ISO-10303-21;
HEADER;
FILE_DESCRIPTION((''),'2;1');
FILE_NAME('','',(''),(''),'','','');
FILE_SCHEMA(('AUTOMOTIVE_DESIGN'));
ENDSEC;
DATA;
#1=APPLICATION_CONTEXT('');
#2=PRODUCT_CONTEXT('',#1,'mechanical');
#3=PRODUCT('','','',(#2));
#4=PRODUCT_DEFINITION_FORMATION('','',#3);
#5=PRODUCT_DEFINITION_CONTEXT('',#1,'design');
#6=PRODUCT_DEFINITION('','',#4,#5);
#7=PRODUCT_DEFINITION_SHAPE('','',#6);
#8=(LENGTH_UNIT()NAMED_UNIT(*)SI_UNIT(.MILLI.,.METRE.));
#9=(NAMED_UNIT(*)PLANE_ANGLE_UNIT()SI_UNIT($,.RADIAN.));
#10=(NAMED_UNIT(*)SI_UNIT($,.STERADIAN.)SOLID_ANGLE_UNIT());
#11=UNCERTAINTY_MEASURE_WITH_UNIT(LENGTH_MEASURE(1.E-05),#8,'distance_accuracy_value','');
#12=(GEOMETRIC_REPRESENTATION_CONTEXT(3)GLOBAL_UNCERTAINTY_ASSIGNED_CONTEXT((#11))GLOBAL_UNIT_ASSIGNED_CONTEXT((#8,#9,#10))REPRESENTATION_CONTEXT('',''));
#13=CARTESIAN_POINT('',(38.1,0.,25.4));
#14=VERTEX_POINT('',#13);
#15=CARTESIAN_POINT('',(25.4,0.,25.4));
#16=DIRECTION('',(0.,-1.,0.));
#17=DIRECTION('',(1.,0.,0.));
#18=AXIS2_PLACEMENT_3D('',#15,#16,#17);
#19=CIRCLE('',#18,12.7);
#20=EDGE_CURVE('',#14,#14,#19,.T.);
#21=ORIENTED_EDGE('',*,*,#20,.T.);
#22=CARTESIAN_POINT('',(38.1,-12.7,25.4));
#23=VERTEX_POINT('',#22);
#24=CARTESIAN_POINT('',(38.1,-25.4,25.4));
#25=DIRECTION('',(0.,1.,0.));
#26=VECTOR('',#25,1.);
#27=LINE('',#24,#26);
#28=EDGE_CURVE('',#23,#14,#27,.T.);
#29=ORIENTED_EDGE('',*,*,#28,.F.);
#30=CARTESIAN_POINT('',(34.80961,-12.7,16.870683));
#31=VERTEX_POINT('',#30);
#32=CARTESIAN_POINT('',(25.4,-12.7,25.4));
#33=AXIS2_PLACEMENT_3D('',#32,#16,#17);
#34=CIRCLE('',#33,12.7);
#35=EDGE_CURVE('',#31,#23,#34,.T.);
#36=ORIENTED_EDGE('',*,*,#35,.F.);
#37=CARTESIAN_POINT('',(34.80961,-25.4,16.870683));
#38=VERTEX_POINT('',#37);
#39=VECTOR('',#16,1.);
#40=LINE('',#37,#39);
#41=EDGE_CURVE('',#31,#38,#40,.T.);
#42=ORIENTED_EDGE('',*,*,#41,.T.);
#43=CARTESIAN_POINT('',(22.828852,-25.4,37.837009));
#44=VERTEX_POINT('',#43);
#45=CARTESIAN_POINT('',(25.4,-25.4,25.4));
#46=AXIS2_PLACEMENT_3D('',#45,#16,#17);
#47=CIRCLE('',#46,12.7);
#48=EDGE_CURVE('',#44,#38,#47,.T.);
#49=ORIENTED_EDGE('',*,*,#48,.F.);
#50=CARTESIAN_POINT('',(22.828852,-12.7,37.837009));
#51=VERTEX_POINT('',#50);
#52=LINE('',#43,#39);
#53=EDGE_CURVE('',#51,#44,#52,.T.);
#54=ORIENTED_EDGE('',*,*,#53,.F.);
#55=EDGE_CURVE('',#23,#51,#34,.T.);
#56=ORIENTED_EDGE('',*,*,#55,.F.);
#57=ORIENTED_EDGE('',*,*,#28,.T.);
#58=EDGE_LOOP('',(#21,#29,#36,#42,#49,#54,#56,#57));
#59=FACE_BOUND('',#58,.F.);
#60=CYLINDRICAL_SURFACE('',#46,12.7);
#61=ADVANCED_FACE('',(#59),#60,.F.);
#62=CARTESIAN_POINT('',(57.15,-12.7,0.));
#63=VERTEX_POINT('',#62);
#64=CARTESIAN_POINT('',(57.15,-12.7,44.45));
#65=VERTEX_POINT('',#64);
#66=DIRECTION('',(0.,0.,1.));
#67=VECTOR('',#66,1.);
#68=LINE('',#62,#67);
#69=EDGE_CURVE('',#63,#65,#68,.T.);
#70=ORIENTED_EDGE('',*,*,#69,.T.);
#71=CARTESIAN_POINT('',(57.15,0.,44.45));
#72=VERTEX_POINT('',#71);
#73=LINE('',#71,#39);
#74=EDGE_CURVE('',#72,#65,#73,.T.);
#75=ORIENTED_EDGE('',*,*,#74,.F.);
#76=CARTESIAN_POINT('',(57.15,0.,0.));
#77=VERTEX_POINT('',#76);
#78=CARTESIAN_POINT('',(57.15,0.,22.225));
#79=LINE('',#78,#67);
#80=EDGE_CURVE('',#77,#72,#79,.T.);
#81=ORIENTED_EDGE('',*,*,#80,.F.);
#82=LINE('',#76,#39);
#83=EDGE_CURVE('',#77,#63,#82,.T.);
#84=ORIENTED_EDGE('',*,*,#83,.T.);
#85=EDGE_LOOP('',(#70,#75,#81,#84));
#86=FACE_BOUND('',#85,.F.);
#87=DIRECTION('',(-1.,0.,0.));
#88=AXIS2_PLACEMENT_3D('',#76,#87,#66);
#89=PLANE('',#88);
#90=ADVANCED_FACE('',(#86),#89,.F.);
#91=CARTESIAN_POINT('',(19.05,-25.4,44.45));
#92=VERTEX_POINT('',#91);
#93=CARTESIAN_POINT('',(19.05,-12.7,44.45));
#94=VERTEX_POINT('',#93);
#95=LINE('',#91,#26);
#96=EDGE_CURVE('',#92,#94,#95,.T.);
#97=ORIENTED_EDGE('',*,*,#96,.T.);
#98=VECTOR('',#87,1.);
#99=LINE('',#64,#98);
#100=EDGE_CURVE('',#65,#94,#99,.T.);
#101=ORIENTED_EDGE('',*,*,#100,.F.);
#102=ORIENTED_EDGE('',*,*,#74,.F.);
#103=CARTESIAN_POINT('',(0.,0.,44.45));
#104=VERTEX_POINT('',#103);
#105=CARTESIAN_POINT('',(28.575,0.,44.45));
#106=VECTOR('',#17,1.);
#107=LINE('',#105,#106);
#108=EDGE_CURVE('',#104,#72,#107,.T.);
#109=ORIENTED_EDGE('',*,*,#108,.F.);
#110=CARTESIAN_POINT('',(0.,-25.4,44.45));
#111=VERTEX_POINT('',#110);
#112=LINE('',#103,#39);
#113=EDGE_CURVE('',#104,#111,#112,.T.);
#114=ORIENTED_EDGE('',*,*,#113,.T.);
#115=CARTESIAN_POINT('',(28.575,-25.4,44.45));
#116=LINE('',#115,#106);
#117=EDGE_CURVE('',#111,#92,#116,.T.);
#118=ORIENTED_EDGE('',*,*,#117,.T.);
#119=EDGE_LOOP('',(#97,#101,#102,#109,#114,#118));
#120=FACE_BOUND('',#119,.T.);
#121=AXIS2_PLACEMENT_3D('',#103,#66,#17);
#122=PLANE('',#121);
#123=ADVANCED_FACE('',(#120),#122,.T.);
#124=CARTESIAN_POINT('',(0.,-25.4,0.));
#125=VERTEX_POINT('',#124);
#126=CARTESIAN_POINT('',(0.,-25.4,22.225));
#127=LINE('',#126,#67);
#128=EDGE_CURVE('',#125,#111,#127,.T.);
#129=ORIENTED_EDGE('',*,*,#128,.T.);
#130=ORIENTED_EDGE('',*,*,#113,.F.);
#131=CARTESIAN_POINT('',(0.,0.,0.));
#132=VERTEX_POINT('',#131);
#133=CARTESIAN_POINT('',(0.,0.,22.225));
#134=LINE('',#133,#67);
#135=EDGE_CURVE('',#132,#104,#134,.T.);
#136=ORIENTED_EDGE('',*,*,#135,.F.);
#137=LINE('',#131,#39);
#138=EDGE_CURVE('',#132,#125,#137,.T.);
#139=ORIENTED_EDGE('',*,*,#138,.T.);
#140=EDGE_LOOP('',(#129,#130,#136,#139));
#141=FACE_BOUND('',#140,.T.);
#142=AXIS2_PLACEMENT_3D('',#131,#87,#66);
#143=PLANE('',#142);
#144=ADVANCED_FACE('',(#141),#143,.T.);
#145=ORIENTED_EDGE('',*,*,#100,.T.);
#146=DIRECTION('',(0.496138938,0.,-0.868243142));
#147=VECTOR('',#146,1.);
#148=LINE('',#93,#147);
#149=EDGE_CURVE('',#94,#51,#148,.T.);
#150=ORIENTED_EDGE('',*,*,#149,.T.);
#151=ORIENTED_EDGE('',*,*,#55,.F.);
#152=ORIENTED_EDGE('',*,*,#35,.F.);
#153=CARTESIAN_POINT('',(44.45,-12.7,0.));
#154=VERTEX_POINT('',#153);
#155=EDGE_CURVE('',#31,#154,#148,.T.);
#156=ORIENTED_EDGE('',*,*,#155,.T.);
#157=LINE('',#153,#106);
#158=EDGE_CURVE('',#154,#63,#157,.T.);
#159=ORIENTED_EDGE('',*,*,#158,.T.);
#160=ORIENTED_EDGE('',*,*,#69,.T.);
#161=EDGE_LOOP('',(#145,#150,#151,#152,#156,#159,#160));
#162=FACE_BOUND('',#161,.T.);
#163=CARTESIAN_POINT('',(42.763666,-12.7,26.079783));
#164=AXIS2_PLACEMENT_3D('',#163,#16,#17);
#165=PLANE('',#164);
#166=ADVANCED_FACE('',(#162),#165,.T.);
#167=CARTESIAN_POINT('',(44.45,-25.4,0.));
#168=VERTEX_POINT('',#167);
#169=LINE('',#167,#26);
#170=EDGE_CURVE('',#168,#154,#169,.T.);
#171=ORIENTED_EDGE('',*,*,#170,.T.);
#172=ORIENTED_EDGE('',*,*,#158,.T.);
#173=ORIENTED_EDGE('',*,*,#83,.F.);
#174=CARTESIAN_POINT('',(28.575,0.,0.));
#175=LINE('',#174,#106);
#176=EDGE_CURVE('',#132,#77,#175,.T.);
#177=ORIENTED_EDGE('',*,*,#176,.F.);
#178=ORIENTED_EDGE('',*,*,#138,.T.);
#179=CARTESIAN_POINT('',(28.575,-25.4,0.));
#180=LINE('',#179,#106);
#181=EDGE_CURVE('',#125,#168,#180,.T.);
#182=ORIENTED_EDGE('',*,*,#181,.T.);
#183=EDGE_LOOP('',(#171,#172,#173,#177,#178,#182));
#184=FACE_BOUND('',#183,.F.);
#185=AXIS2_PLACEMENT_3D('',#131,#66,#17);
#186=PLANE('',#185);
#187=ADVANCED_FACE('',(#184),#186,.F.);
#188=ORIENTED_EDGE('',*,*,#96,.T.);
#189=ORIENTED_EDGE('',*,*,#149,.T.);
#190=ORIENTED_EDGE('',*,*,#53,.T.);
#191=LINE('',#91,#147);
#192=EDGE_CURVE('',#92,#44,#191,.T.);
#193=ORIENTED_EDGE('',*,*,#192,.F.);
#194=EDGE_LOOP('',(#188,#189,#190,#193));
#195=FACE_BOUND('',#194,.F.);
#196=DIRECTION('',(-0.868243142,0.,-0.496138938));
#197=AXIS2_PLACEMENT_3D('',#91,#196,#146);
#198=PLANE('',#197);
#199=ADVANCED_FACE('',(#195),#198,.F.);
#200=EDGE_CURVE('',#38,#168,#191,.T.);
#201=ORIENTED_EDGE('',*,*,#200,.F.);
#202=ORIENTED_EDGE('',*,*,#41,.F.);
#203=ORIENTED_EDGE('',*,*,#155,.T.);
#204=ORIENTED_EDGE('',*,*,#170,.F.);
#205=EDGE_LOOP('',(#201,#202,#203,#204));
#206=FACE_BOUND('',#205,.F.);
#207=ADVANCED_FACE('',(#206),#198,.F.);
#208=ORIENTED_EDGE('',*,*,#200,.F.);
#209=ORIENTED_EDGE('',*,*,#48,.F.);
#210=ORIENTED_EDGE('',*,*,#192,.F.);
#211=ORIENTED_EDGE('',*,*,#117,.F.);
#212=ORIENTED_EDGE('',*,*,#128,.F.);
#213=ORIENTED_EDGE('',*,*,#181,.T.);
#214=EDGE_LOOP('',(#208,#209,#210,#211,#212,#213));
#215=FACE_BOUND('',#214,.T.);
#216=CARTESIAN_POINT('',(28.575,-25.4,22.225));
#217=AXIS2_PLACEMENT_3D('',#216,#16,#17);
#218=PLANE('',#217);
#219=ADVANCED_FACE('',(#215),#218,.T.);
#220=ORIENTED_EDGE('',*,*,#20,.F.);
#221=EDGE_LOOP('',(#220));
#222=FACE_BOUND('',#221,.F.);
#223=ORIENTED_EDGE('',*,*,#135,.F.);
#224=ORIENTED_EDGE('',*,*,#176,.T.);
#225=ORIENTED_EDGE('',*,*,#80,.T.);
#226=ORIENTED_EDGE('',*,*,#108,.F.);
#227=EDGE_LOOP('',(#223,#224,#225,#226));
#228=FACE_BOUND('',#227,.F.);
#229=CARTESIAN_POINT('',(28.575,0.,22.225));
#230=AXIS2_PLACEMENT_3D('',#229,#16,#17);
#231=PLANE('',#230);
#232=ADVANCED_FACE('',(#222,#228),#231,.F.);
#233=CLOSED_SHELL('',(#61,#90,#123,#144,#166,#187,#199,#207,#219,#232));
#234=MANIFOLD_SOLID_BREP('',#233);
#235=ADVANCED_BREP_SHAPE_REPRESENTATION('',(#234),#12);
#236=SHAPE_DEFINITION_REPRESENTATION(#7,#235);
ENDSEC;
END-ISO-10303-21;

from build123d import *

# Parameters (mm, degrees)
F0_W     = 57.15
F0_H     = 44.45
F1_DEPTH = 25.4
F3_DEPTH = 12.7
F4_R     = 12.7
F5_DEPTH = 25.4


with BuildPart() as f1:
    # F0 (on Front) → F1 (new body)
    with BuildSketch(Plane.XZ):
        with Locations((28.575, 22.225)):
            Rectangle(F0_W, F0_H)
    extrude(amount=F1_DEPTH)

    # F2 (on face) → F3 (cut)
    with BuildSketch(Plane.XZ.offset(25.4)):
        Polygon((57.15, 44.45), (19.05, 44.45), (44.45, 0), (57.15, 0), align=None)
    extrude(amount=-F3_DEPTH, mode=Mode.SUBTRACT)

    # F4 (on face) → F5 (cut)
    with BuildSketch(Plane.XZ.offset(25.4)):
        with Locations((25.4, 25.4)):
            Circle(F4_R)
    extrude(amount=-F5_DEPTH, mode=Mode.SUBTRACT)


solid = f1.part
